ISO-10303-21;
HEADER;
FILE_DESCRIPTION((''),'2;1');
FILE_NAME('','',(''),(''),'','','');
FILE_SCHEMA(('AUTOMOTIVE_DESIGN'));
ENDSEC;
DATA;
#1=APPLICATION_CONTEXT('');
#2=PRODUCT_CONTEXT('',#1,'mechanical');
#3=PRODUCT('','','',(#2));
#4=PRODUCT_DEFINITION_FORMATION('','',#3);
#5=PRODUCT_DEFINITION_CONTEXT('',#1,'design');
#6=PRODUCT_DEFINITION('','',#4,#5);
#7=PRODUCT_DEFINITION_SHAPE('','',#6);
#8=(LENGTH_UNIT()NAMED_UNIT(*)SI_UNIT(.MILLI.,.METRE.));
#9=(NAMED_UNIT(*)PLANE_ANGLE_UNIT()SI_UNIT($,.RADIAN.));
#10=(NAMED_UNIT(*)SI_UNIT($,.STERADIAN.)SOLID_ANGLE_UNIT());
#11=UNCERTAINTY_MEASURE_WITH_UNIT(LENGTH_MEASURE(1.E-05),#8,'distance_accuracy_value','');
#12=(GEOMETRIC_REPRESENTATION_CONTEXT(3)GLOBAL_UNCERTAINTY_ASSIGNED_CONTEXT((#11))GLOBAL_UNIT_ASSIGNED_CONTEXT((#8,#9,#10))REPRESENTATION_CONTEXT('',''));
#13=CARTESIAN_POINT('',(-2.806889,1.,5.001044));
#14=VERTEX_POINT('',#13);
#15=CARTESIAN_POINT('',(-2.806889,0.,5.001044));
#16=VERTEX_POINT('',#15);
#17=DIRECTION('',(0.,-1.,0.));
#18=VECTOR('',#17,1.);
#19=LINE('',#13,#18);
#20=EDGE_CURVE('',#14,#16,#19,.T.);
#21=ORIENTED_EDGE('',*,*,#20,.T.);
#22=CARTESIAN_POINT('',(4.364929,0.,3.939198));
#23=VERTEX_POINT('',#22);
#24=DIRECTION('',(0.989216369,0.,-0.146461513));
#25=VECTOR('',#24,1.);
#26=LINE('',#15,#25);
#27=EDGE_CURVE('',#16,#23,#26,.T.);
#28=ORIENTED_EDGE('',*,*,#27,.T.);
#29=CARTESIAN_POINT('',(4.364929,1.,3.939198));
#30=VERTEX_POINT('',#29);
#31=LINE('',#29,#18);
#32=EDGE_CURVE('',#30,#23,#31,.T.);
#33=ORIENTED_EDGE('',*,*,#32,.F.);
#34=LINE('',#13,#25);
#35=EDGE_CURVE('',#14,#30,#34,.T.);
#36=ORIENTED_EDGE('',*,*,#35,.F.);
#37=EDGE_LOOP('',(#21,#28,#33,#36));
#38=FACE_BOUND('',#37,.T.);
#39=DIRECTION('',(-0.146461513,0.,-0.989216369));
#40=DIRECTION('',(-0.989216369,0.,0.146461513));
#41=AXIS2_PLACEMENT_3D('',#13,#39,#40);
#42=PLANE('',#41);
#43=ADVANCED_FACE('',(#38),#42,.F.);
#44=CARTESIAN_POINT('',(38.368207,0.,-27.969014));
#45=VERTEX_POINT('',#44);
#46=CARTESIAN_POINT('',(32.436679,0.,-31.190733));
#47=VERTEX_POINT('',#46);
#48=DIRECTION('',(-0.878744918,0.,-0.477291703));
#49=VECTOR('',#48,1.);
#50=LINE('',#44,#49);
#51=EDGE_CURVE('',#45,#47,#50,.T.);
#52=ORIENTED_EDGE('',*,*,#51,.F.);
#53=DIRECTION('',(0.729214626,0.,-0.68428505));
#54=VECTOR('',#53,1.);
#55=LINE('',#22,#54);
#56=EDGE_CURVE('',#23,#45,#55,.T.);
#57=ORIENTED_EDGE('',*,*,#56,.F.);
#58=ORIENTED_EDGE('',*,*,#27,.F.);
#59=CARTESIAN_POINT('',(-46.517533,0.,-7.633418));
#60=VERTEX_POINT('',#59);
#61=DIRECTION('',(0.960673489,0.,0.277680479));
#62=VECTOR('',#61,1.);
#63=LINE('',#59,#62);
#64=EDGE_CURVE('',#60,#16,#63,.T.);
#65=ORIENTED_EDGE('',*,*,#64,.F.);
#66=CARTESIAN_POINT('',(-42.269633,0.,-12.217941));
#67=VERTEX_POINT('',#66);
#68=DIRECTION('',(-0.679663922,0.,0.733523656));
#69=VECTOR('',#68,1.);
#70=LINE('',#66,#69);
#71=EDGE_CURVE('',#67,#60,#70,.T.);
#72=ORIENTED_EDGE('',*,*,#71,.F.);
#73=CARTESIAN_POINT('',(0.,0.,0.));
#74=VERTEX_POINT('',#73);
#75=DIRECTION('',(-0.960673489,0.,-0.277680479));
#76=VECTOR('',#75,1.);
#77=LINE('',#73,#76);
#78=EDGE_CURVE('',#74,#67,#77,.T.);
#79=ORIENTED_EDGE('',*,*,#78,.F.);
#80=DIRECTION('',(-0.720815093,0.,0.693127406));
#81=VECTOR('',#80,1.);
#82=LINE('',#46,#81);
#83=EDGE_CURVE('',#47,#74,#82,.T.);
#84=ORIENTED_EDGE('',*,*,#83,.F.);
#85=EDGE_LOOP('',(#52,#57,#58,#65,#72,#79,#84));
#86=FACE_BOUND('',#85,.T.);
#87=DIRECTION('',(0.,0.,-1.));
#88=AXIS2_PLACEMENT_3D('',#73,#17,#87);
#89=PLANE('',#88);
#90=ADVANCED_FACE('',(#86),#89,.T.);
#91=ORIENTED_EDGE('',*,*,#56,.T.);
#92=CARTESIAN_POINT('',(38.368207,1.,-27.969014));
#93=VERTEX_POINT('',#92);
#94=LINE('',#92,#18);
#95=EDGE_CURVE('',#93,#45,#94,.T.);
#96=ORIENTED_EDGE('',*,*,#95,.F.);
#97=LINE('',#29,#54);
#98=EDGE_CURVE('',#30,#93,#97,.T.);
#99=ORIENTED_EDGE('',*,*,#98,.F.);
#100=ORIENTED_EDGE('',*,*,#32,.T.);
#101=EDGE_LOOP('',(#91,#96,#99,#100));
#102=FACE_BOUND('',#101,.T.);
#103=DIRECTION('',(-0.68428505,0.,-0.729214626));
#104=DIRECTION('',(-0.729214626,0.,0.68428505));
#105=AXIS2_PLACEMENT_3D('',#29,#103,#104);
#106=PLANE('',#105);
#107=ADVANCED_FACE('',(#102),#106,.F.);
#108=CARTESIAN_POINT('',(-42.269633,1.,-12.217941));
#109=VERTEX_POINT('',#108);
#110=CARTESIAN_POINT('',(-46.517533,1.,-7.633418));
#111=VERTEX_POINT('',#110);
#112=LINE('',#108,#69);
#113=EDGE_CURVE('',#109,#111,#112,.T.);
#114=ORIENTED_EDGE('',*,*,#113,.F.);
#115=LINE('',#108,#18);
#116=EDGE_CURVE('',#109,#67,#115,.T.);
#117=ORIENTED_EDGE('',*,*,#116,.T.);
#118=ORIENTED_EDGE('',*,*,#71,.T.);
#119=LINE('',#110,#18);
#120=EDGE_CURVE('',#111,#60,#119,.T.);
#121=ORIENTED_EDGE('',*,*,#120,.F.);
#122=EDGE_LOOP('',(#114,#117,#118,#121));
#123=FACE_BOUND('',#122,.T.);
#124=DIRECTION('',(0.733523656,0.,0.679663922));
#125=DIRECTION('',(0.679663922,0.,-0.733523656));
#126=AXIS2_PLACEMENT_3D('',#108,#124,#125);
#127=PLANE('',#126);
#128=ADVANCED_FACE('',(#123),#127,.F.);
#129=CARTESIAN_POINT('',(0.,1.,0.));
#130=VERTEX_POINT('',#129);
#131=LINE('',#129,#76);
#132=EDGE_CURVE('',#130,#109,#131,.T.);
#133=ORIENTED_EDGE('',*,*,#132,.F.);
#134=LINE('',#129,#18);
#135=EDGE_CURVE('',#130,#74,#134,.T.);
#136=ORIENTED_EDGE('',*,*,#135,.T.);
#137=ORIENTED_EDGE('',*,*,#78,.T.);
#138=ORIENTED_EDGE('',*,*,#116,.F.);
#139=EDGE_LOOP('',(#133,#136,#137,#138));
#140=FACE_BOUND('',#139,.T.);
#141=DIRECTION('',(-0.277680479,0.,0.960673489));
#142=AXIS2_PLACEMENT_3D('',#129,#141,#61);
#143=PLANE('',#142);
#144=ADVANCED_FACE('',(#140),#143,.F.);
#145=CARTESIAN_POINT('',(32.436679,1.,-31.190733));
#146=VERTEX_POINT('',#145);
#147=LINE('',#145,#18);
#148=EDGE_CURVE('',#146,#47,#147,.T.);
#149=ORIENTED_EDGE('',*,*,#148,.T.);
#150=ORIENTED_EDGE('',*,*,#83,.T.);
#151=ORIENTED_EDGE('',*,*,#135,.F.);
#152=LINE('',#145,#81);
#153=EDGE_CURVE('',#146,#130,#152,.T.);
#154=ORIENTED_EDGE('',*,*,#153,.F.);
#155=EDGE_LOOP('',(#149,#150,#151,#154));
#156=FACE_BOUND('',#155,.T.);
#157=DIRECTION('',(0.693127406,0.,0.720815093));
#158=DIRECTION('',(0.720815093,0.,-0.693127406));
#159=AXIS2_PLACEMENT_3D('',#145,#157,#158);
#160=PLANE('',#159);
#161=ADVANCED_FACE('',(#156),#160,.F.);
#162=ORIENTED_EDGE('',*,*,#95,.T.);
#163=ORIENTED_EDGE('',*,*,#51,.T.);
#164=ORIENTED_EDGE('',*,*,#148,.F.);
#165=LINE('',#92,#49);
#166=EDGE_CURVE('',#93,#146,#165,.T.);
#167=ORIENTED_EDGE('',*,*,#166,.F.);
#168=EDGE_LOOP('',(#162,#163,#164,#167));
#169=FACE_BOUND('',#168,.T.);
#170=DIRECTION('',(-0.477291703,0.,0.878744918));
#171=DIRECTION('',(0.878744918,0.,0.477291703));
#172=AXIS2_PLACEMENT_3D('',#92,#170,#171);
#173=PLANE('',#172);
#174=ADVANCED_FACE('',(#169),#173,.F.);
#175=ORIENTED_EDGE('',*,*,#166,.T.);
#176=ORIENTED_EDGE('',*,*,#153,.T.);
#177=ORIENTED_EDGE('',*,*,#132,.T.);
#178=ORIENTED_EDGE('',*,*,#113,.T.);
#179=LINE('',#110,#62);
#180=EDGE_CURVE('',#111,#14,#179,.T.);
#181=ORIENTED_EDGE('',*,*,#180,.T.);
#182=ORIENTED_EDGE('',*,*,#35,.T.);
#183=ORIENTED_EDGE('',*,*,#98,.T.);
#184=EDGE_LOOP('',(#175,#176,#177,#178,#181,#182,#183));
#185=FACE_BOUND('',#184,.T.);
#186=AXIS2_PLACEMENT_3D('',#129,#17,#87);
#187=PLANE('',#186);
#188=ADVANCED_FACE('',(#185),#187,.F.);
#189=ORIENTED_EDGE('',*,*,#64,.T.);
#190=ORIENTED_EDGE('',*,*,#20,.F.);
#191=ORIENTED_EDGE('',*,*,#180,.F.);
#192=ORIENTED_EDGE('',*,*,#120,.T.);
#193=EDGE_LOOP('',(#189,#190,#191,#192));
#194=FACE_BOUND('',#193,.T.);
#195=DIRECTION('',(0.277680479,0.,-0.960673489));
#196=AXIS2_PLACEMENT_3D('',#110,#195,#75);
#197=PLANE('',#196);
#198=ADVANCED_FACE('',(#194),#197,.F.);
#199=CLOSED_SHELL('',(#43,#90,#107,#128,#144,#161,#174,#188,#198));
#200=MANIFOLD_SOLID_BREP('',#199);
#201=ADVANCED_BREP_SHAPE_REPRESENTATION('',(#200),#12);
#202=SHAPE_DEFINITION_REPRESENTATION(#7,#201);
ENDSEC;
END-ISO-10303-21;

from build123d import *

# Parameters (mm, degrees)
BOSS_EXTRUDE1_DEPTH = 1


with BuildPart() as part:
    # Sketch1 → Boss-Extrude1 (new body)
    with BuildSketch(Plane(origin=(0, 0, 0), x_dir=(1, 0, 0), z_dir=(0, 1, 0))):
        Polygon((0, 0), (-42.269633497, 12.217941072), (-46.517533008, 7.633418224), (-2.806889278, -5.001043566), (4.364929398, -3.939197594), (38.368207388, 27.969014295), (32.436679192, 31.190733287), align=None)
    extrude(amount=BOSS_EXTRUDE1_DEPTH)


solid = part.part
